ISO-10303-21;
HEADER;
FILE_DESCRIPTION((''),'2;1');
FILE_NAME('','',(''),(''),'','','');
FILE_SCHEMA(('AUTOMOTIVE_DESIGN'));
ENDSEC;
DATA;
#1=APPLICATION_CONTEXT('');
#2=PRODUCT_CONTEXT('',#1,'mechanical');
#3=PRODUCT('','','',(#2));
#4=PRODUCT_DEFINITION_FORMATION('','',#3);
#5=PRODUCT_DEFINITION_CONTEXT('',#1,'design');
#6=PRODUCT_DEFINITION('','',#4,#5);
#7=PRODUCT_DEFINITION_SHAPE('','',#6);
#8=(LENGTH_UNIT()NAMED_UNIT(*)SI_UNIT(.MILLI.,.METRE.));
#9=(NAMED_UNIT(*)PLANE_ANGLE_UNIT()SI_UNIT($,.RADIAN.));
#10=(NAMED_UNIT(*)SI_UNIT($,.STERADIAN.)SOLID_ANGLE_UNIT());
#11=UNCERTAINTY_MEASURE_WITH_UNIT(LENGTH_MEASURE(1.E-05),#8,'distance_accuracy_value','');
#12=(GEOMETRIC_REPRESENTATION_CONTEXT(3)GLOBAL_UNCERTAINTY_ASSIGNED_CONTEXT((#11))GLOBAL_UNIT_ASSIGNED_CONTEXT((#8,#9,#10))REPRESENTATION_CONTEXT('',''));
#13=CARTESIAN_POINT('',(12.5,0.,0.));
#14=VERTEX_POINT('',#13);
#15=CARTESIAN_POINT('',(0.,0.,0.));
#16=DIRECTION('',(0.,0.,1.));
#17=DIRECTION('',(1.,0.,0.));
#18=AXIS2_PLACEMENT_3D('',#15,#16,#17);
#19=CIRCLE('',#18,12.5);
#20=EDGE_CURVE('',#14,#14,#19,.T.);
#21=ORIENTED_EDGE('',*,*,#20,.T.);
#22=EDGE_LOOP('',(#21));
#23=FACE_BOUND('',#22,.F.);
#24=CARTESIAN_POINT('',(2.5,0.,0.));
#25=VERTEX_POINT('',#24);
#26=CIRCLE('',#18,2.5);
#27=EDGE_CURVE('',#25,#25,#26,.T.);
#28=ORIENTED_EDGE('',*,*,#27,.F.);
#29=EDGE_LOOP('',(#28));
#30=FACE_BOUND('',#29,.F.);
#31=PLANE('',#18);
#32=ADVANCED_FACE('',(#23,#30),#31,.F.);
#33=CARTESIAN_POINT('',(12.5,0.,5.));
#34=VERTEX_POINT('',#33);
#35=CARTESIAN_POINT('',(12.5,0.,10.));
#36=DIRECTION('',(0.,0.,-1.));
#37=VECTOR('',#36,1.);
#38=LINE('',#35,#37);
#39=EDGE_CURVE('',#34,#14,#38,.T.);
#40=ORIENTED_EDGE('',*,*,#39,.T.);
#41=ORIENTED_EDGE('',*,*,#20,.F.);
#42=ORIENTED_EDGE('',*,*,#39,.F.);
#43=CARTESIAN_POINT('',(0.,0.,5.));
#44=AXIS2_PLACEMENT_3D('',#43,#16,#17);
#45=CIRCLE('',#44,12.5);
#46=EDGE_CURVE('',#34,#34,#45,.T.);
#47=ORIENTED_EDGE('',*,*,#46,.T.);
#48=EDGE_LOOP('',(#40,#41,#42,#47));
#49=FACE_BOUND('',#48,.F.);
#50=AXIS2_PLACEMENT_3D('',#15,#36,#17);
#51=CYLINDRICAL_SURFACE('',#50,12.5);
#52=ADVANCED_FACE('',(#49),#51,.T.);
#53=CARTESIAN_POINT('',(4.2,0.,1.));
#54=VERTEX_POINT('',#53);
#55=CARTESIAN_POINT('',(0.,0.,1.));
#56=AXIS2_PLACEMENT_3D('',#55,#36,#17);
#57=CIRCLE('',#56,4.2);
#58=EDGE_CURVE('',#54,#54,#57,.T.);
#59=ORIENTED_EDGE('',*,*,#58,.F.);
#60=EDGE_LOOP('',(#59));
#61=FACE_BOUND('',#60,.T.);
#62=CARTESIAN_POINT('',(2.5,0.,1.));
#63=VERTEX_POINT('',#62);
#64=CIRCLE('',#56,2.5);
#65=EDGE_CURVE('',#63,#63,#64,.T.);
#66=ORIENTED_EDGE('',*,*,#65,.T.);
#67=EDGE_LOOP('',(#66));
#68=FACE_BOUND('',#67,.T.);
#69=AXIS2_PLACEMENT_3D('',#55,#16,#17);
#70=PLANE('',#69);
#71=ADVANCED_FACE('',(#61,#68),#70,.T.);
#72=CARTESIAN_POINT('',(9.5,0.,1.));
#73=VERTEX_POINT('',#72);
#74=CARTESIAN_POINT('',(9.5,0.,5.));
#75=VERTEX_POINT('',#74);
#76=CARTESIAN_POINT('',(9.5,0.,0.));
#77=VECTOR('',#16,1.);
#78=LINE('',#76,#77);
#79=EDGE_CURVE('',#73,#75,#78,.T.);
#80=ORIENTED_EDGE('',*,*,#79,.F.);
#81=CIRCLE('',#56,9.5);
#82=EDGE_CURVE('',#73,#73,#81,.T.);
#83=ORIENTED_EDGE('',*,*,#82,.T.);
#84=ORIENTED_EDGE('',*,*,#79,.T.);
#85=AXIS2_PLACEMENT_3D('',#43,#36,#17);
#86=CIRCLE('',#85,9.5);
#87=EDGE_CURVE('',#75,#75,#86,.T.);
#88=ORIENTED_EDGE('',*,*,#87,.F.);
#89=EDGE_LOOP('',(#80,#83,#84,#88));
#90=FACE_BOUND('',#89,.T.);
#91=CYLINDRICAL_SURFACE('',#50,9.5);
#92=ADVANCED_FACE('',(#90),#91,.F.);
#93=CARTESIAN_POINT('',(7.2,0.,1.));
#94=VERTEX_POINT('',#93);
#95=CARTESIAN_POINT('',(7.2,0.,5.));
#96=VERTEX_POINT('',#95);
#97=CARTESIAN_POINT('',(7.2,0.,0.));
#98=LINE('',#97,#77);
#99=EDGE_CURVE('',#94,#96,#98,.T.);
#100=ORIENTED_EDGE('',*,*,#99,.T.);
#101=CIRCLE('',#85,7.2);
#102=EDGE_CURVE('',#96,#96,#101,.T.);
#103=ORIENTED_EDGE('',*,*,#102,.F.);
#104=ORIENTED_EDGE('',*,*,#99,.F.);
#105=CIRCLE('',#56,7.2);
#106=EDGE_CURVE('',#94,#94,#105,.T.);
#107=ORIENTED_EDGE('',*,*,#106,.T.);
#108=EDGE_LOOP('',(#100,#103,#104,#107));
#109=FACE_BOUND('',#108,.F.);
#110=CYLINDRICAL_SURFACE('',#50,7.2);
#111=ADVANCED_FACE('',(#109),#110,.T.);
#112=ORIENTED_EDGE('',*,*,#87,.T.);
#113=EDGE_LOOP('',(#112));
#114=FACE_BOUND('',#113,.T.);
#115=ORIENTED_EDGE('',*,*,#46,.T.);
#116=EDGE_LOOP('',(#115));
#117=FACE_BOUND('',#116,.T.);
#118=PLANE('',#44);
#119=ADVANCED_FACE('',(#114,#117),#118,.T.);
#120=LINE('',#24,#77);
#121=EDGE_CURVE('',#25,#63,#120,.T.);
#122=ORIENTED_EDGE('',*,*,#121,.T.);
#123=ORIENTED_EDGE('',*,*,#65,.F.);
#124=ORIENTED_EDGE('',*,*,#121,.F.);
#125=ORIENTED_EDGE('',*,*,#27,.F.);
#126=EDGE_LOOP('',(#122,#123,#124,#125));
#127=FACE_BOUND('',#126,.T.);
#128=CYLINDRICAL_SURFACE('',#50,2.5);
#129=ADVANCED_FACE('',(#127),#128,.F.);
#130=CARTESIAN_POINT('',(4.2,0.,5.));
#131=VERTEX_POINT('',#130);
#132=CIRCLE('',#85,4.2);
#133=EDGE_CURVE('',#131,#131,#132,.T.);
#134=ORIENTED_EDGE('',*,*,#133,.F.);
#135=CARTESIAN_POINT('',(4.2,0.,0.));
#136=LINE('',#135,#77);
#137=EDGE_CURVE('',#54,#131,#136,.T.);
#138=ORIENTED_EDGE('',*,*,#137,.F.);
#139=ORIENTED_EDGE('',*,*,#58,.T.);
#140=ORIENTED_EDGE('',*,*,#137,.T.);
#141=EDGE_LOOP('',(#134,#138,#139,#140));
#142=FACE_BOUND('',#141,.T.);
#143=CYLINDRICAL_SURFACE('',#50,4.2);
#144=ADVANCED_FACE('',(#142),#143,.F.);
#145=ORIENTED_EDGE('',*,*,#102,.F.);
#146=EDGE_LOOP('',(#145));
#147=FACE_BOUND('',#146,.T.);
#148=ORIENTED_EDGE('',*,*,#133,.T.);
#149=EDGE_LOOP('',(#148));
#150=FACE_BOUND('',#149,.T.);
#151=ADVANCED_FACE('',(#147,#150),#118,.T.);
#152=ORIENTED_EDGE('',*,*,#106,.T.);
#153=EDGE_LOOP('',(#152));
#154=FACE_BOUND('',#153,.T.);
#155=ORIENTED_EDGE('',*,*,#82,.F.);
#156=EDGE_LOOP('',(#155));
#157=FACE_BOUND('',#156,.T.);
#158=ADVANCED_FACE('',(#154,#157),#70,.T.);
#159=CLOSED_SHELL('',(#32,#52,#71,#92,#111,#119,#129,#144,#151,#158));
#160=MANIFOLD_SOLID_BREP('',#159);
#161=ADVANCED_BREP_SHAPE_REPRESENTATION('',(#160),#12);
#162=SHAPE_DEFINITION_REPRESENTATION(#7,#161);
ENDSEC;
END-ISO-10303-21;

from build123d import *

# Parameters (mm, degrees)
CYLINDER008_R     = 12.5
CYLINDER008_DEPTH = 10
CYLINDER007_R     = 2.5
CYLINDER007_DEPTH = 10
CYLINDER005_R     = 9.5
CYLINDER005_DEPTH = 10
CYLINDER004_R     = 12.5
CYLINDER004_DEPTH = 10
CYLINDER001_R     = 4.2
CYLINDER001_DEPTH = 10
CYLINDER002_R     = 7.2
CYLINDER002_DEPTH = 10
CYLINDER006_R     = 12.5
CYLINDER006_DEPTH = 1


with BuildPart() as cylinder008:
    # Cylinder008 → Cylinder008 (new body)
    with BuildSketch(Plane.XY.offset(5)):
        Circle(CYLINDER008_R)
    extrude(amount=CYLINDER008_DEPTH)


with BuildPart() as cylinder007:
    # Cylinder007 → Cylinder007 (new body)
    with BuildSketch(Plane.XY):
        Circle(CYLINDER007_R)
    extrude(amount=CYLINDER007_DEPTH)


with BuildPart() as cylinder005:
    # Cylinder005 → Cylinder005 (new body)
    with BuildSketch(Plane.XY):
        Circle(CYLINDER005_R)
    extrude(amount=CYLINDER005_DEPTH)


with BuildPart() as cut001:
    # Cylinder004 → Cylinder004 (new body)
    with BuildSketch(Plane.XY):
        Circle(CYLINDER004_R)
    extrude(amount=CYLINDER004_DEPTH)

    # Cut001: cut Cylinder005
    add(cylinder005.part, mode=Mode.SUBTRACT)


with BuildPart() as cylinder001:
    # Cylinder001 → Cylinder001 (new body)
    with BuildSketch(Plane.XY):
        Circle(CYLINDER001_R)
    extrude(amount=CYLINDER001_DEPTH)


with BuildPart() as cut:
    # Cylinder002 → Cylinder002 (new body)
    with BuildSketch(Plane.XY):
        Circle(CYLINDER002_R)
    extrude(amount=CYLINDER002_DEPTH)

    # Cut: cut Cylinder001
    add(cylinder001.part, mode=Mode.SUBTRACT)


with BuildPart() as cut003:
    # Cylinder006 → Cylinder006 (new body)
    with BuildSketch(Plane.XY):
        Circle(CYLINDER006_R)
    extrude(amount=CYLINDER006_DEPTH)

    # Fusion: union Cut001, Cut
    add(cut001.part)
    add(cut.part)

    # Cut002: cut Cylinder007
    add(cylinder007.part, mode=Mode.SUBTRACT)

    # Cut003: cut Cylinder008
    add(cylinder008.part, mode=Mode.SUBTRACT)


solid = cut003.part
